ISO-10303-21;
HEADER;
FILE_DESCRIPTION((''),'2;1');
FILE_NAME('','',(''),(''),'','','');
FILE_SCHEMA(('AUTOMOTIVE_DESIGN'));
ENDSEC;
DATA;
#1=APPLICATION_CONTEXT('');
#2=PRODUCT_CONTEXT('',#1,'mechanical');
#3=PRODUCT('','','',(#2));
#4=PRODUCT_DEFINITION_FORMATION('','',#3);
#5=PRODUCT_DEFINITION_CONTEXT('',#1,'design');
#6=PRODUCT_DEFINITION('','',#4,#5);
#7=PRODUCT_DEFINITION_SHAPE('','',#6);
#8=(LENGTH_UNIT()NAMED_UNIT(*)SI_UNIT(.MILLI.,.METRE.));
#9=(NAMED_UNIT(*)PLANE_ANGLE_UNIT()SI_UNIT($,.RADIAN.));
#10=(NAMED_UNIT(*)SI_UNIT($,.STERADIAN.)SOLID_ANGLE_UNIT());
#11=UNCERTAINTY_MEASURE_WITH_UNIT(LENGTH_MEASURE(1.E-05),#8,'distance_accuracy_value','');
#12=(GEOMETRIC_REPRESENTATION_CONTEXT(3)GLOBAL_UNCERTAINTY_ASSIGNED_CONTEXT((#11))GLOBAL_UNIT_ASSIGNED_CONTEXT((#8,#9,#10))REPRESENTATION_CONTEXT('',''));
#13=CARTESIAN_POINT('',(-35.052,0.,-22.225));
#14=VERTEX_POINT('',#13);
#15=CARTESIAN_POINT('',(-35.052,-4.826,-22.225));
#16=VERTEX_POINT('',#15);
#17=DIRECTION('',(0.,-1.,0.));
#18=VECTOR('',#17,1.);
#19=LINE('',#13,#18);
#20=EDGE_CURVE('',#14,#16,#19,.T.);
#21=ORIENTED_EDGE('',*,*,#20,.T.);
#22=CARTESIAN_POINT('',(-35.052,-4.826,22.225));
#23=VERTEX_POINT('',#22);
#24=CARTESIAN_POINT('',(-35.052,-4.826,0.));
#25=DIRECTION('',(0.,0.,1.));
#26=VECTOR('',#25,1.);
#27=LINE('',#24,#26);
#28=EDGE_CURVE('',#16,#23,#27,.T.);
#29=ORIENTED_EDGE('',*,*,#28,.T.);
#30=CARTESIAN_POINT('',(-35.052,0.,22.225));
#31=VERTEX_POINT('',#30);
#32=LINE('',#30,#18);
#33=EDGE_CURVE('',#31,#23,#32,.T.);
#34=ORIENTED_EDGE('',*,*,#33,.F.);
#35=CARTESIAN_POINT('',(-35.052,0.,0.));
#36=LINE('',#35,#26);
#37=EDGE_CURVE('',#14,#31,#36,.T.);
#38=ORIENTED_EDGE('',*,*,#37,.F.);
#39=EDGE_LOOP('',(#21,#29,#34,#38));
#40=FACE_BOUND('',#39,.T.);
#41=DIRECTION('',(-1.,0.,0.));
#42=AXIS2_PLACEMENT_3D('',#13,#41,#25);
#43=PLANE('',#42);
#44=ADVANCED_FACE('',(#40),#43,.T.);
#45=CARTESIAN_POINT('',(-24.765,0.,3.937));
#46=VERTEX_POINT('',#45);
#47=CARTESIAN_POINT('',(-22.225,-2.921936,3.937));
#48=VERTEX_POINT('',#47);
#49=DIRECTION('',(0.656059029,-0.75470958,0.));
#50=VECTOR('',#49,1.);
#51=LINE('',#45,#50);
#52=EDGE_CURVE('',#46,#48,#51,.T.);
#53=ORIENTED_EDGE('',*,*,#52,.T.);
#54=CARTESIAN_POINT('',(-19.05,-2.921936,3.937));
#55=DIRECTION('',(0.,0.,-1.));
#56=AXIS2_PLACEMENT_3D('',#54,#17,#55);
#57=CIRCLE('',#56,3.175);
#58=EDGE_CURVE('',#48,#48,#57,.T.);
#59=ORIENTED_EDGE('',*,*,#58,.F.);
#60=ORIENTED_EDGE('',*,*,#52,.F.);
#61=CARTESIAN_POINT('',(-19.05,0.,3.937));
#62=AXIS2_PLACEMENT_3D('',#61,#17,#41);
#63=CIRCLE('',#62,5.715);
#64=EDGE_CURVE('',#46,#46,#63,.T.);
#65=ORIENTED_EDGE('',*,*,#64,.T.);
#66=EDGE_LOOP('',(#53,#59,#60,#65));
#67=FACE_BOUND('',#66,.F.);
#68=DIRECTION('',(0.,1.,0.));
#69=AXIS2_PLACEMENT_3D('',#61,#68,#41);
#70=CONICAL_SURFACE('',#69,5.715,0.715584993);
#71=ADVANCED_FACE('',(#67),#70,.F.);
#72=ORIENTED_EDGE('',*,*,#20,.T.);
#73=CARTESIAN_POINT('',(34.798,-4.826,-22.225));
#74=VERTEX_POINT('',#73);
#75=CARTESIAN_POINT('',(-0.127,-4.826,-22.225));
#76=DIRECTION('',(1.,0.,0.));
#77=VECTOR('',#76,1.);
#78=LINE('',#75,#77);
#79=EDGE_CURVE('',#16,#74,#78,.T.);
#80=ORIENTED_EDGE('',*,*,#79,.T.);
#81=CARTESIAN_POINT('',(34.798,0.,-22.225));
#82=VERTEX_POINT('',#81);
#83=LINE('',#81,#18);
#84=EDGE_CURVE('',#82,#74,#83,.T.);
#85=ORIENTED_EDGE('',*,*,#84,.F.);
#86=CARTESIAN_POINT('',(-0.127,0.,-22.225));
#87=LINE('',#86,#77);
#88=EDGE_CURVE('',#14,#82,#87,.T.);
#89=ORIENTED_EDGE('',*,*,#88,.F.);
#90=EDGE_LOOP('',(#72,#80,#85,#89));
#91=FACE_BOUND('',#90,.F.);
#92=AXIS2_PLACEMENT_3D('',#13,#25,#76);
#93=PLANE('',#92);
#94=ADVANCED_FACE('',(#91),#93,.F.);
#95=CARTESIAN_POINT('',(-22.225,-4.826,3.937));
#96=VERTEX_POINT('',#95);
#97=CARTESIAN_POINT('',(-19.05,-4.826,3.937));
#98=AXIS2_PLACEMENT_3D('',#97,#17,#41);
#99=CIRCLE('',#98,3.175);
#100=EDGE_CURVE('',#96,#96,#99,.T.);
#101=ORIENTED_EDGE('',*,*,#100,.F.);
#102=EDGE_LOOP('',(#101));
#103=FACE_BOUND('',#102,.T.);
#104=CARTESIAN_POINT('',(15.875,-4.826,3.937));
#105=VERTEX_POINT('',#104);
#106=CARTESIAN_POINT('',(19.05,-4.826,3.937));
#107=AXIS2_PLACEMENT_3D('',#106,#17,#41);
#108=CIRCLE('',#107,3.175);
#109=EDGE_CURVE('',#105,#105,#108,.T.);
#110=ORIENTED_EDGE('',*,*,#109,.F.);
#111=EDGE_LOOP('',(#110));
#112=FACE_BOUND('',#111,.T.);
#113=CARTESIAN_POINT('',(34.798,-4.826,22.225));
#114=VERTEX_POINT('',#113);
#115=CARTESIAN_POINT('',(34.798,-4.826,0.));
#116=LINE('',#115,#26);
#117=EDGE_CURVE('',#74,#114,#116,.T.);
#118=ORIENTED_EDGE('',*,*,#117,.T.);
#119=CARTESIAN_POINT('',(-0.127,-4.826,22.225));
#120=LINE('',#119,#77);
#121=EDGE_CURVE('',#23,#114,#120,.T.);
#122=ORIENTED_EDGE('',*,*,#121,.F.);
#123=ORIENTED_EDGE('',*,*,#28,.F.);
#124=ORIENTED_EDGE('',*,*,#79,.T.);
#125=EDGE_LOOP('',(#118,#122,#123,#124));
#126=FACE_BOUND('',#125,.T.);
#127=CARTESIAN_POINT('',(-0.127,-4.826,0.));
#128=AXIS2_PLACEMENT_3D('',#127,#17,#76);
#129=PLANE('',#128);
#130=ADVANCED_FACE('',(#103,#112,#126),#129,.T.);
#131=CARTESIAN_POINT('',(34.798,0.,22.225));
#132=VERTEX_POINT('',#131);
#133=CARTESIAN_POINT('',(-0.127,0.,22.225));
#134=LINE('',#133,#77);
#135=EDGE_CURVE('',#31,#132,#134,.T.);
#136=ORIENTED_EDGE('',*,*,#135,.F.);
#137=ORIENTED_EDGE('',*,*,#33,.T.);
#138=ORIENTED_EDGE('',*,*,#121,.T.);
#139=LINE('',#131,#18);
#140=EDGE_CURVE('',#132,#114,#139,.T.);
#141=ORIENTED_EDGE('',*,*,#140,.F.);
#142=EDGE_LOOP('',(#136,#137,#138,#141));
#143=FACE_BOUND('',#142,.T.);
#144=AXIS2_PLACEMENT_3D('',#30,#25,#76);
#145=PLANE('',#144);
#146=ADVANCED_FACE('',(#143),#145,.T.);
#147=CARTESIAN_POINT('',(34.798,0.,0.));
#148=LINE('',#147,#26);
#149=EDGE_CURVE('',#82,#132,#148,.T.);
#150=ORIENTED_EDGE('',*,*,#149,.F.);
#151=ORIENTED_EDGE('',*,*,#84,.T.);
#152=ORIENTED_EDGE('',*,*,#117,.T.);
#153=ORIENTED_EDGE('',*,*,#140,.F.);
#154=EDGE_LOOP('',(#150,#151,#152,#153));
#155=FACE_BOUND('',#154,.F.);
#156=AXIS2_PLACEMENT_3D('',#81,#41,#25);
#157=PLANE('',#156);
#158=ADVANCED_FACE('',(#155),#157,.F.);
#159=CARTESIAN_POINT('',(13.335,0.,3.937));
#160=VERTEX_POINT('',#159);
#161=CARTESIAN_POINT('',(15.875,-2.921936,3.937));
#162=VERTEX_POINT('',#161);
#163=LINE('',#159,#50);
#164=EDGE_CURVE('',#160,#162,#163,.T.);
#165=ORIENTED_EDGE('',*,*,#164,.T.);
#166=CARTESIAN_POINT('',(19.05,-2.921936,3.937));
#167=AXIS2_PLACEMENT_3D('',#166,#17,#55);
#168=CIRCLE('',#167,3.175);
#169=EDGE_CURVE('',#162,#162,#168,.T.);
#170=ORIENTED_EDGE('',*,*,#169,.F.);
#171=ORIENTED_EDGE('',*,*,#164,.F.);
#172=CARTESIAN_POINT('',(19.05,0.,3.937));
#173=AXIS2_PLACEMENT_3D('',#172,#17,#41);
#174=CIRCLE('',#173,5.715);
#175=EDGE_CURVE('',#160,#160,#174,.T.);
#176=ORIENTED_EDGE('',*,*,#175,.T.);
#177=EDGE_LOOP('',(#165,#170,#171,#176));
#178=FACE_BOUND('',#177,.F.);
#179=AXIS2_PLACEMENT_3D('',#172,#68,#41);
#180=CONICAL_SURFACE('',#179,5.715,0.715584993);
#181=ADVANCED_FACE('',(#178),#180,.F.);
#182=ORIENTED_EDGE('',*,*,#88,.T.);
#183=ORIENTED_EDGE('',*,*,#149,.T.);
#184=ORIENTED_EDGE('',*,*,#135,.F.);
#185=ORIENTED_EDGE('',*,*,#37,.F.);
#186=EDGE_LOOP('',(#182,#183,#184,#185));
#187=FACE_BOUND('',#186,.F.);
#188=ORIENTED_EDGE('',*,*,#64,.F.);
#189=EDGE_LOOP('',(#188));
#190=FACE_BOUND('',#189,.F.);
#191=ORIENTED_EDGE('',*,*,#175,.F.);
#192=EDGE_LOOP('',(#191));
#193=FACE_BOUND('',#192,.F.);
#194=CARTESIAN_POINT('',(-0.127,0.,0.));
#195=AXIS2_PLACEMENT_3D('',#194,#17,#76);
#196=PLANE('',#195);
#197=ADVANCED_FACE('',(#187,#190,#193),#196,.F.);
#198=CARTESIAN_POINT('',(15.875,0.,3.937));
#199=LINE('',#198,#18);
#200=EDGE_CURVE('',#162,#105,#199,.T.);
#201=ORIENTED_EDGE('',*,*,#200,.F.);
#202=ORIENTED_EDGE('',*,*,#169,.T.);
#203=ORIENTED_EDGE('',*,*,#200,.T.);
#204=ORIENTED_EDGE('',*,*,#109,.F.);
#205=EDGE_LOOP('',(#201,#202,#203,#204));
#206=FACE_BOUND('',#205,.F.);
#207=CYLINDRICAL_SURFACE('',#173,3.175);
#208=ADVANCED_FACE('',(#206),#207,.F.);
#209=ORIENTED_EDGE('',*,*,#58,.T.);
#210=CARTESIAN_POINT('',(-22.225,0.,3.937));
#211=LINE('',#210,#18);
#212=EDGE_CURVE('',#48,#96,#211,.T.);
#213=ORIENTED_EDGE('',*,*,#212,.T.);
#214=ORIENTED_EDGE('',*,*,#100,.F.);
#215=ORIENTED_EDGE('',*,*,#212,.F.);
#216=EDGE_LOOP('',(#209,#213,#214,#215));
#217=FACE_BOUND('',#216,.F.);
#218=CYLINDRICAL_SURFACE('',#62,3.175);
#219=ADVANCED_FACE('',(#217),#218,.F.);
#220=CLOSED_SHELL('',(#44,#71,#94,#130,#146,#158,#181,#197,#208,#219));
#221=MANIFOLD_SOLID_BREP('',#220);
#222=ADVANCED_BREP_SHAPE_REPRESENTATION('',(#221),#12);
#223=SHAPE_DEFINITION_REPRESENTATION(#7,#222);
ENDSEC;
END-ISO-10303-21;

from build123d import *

# Parameters (mm, degrees)
F0_W           = 69.85
F0_H           = 44.45
F1_DEPTH       = 4.826
F2_D           = 6.35
F2_CSINK_D     = 11.43
F2_CSINK_ANGLE = 82


with BuildPart() as f1:
    # F0 (on Front) → F1 (new body)
    with BuildSketch(Plane.XZ):
        with Locations((-0.127, 0)):
            Rectangle(F0_W, F0_H)
    extrude(amount=F1_DEPTH)

    # F2 (through all)
    with Locations(Plane(origin=(0, 0, 0), x_dir=(1, 0, 0), z_dir=(0, 1, 0))):
        with Locations((-19.05, -3.937), (19.05, -3.937)):
            CounterSinkHole(F2_D / 2, F2_CSINK_D / 2, counter_sink_angle=F2_CSINK_ANGLE)


solid = f1.part
